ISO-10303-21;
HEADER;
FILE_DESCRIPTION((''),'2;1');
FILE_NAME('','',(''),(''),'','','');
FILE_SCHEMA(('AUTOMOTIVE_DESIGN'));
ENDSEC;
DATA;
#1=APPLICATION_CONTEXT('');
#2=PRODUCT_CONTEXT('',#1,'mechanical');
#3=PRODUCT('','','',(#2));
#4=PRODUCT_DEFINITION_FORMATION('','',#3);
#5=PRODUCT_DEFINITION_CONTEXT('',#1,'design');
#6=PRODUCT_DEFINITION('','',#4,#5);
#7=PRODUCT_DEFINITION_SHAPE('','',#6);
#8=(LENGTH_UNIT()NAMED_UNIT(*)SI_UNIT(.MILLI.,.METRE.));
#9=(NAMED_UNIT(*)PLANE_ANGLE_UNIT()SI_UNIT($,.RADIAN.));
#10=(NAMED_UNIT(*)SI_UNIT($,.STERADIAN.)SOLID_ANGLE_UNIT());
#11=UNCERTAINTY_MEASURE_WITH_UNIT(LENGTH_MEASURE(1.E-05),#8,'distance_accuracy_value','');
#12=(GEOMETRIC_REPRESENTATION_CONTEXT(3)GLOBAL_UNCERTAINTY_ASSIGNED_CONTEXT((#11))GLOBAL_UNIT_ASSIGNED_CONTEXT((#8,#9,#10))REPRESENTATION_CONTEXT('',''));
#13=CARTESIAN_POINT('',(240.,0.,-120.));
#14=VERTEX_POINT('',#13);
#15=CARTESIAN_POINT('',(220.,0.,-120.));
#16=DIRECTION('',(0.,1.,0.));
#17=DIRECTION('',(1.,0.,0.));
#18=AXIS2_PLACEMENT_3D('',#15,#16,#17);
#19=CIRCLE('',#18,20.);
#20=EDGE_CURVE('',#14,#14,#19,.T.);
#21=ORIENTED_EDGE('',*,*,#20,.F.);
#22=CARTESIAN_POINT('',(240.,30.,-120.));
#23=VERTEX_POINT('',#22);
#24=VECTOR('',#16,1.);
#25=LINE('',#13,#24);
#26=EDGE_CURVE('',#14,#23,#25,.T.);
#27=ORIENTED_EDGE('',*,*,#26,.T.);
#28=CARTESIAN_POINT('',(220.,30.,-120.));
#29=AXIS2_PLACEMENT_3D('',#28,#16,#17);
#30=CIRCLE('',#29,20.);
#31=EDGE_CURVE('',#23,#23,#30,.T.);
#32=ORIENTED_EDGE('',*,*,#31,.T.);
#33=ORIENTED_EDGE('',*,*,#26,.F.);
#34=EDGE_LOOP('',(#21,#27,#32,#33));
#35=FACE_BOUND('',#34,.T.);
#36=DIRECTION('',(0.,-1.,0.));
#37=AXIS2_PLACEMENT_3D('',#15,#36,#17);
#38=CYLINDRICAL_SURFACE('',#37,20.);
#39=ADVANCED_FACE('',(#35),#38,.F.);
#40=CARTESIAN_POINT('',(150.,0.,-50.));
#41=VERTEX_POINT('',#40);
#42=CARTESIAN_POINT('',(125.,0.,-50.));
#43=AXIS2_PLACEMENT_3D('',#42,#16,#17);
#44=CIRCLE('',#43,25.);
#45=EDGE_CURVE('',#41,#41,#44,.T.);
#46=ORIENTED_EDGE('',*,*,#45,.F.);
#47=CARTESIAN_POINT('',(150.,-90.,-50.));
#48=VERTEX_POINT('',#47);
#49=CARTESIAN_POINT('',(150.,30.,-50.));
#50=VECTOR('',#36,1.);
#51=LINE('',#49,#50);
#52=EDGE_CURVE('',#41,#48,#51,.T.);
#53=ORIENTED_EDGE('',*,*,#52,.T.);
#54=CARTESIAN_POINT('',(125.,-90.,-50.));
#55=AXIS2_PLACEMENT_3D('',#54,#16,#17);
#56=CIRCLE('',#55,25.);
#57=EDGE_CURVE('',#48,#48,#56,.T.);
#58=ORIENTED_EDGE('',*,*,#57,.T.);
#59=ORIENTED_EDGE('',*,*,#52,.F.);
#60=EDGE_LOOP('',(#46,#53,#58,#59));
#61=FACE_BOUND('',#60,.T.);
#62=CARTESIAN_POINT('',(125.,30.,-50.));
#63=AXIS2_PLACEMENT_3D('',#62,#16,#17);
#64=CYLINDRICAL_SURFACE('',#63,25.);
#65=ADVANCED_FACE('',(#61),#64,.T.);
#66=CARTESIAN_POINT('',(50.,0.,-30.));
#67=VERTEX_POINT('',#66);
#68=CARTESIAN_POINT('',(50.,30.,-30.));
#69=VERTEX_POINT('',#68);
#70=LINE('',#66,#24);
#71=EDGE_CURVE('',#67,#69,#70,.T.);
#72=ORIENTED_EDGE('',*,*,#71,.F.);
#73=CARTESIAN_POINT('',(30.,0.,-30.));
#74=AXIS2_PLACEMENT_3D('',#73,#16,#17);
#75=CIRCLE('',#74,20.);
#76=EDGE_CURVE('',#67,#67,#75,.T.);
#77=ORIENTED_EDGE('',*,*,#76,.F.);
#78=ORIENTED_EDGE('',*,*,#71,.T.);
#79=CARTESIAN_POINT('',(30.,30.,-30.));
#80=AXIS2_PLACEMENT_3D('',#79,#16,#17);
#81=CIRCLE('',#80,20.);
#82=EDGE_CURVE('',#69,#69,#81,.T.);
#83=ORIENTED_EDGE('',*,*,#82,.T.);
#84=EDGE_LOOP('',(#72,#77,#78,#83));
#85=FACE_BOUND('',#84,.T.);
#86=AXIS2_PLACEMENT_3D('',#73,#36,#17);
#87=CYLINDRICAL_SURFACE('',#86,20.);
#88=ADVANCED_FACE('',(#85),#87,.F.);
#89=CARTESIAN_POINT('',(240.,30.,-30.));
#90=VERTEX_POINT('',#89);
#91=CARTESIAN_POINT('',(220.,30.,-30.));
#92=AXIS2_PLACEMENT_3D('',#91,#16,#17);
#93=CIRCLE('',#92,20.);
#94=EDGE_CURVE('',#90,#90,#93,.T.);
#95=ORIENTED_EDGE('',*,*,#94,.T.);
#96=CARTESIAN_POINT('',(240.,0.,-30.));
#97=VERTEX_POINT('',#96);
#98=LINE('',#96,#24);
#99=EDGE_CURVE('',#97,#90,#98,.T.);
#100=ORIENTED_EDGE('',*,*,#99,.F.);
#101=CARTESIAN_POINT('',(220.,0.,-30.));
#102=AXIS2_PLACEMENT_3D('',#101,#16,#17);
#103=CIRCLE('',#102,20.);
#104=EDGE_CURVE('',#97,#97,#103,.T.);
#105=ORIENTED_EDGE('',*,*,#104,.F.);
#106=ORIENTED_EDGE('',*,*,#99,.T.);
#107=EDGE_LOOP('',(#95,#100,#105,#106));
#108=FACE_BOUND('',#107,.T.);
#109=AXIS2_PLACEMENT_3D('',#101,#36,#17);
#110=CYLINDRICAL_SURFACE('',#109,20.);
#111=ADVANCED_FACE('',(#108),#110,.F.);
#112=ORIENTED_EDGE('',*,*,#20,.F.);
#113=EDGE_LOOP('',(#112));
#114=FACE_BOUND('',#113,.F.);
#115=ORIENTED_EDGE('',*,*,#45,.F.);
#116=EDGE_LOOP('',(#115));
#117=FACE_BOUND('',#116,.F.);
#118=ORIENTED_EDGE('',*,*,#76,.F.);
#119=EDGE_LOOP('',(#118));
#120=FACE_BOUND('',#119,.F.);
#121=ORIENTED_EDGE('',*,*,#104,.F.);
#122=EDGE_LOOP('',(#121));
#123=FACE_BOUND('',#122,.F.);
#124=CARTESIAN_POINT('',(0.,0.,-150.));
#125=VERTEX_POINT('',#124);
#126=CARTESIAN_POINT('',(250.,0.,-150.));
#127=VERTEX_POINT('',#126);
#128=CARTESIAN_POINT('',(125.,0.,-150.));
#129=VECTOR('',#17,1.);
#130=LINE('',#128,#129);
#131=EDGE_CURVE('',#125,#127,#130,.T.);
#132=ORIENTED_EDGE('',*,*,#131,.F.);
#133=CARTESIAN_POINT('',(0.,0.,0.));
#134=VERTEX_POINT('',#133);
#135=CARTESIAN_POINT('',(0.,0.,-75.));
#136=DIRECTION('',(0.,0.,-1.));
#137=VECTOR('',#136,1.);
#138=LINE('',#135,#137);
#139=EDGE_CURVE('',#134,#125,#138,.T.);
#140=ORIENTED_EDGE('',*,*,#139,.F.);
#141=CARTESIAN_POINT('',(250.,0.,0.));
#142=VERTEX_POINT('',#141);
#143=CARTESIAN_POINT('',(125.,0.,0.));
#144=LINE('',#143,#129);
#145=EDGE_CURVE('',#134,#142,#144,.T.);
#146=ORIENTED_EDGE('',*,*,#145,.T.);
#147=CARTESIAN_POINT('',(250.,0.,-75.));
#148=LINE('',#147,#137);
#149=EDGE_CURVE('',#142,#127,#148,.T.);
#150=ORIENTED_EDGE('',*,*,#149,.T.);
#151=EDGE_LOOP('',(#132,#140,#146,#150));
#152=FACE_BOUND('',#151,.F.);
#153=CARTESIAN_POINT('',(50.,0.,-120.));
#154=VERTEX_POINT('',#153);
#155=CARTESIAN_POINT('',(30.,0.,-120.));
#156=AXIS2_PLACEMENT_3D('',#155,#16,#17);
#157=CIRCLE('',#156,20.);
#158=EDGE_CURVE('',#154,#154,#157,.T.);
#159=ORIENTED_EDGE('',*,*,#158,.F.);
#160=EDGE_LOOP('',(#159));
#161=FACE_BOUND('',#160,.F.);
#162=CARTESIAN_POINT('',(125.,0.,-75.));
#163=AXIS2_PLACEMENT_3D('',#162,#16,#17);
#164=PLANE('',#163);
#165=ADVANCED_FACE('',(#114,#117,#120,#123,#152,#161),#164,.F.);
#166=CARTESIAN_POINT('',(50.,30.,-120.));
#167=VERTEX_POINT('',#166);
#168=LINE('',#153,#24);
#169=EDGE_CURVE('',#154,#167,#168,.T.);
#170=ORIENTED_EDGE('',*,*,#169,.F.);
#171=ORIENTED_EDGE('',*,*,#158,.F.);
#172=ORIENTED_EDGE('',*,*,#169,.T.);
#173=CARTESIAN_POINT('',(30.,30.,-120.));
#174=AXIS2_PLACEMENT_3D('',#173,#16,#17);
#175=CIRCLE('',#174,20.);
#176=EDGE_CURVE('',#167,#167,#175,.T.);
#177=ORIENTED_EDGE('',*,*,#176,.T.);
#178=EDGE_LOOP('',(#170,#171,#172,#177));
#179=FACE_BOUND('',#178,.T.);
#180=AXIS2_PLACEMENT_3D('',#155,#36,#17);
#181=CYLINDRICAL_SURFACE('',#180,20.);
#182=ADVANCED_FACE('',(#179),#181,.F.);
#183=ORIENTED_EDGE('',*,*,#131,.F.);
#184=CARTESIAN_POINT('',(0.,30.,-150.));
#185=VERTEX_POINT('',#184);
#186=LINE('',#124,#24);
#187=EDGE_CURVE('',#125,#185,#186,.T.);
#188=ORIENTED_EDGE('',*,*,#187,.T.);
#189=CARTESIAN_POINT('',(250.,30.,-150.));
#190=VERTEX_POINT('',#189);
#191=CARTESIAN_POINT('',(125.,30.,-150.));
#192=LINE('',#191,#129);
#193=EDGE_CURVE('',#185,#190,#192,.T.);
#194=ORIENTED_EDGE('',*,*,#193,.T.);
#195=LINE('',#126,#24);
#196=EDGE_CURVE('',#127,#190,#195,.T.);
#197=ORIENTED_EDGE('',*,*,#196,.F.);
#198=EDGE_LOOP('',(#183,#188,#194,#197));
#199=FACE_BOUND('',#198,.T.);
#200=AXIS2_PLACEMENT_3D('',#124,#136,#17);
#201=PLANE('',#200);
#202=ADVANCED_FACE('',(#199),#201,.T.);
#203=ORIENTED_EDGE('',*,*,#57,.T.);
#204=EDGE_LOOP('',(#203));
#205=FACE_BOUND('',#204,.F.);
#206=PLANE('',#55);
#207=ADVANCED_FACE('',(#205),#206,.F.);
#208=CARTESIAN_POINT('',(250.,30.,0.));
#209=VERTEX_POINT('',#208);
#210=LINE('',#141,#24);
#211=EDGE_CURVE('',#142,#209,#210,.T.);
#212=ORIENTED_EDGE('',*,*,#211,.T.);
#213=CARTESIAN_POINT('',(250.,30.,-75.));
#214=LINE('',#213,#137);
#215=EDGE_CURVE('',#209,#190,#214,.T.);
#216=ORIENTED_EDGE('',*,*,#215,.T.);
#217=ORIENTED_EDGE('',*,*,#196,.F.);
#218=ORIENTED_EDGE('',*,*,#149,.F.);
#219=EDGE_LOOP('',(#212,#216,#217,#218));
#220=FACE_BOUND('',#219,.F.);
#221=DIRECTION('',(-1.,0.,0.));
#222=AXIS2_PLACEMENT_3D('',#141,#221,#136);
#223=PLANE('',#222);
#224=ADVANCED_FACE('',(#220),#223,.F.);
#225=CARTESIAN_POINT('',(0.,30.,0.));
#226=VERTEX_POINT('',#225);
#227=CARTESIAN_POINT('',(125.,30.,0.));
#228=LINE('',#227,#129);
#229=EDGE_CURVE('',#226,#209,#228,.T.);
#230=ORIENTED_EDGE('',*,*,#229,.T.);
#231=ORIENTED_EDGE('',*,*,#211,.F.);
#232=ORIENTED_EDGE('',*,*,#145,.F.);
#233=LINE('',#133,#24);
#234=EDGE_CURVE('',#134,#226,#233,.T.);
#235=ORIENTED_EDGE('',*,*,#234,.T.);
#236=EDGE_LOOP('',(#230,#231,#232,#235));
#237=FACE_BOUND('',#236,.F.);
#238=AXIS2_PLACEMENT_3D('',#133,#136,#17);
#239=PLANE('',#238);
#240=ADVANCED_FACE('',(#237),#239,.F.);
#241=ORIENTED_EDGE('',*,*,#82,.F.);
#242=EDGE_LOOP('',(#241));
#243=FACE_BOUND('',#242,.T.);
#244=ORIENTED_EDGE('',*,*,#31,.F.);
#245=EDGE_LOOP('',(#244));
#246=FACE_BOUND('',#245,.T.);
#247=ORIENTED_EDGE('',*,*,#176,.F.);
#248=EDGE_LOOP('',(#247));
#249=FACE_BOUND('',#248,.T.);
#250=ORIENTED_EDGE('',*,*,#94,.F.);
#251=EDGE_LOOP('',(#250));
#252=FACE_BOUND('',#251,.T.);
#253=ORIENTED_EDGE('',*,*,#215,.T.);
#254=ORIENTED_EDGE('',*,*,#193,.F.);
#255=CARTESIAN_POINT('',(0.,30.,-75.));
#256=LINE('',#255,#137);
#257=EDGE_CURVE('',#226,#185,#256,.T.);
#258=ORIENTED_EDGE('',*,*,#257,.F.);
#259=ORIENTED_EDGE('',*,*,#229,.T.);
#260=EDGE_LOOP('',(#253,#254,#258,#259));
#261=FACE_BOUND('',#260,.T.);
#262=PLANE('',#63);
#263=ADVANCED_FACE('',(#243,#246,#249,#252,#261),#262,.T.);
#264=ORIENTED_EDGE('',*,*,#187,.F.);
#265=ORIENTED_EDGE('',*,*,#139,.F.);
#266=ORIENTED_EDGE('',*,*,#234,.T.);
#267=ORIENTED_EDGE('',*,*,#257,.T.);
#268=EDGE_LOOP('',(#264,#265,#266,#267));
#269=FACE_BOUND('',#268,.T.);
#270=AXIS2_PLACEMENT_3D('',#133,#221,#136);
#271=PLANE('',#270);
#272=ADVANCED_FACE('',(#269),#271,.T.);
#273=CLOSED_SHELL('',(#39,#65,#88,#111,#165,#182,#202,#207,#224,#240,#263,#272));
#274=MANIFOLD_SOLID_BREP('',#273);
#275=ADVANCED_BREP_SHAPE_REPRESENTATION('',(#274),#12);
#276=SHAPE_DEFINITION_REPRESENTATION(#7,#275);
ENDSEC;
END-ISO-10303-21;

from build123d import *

# Parameters (mm, degrees)
SKETCH1_W           = 250
SKETCH1_H           = 150
SKETCH1_R           = 20
BOSS_EXTRUDE1_DEPTH = 30
SKETCH2_R           = 25
BOSS_EXTRUDE2_DEPTH = 120


with BuildPart() as part:
    # Sketch1 → Boss-Extrude1 (new body)
    with BuildSketch(Plane(origin=(0, 0, 0), x_dir=(1, 0, 0), z_dir=(0, 1, 0))):
        with Locations((125, 75)):
            Rectangle(SKETCH1_W, SKETCH1_H)
        with Locations((30, 120)):
            Circle(SKETCH1_R, mode=Mode.SUBTRACT)
        with Locations((30, 30)):
            Circle(SKETCH1_R, mode=Mode.SUBTRACT)
        with Locations((220, 120)):
            Circle(SKETCH1_R, mode=Mode.SUBTRACT)
        with Locations((220, 30)):
            Circle(SKETCH1_R, mode=Mode.SUBTRACT)
    extrude(amount=BOSS_EXTRUDE1_DEPTH)

    # Sketch2 → Boss-Extrude2 (add)
    with BuildSketch(Plane(origin=(0, 30, 0), x_dir=(1, 0, 0), z_dir=(0, 1, 0))):
        with Locations((125, 50)):
            Circle(SKETCH2_R)
    extrude(amount=-BOSS_EXTRUDE2_DEPTH)


solid = part.part
